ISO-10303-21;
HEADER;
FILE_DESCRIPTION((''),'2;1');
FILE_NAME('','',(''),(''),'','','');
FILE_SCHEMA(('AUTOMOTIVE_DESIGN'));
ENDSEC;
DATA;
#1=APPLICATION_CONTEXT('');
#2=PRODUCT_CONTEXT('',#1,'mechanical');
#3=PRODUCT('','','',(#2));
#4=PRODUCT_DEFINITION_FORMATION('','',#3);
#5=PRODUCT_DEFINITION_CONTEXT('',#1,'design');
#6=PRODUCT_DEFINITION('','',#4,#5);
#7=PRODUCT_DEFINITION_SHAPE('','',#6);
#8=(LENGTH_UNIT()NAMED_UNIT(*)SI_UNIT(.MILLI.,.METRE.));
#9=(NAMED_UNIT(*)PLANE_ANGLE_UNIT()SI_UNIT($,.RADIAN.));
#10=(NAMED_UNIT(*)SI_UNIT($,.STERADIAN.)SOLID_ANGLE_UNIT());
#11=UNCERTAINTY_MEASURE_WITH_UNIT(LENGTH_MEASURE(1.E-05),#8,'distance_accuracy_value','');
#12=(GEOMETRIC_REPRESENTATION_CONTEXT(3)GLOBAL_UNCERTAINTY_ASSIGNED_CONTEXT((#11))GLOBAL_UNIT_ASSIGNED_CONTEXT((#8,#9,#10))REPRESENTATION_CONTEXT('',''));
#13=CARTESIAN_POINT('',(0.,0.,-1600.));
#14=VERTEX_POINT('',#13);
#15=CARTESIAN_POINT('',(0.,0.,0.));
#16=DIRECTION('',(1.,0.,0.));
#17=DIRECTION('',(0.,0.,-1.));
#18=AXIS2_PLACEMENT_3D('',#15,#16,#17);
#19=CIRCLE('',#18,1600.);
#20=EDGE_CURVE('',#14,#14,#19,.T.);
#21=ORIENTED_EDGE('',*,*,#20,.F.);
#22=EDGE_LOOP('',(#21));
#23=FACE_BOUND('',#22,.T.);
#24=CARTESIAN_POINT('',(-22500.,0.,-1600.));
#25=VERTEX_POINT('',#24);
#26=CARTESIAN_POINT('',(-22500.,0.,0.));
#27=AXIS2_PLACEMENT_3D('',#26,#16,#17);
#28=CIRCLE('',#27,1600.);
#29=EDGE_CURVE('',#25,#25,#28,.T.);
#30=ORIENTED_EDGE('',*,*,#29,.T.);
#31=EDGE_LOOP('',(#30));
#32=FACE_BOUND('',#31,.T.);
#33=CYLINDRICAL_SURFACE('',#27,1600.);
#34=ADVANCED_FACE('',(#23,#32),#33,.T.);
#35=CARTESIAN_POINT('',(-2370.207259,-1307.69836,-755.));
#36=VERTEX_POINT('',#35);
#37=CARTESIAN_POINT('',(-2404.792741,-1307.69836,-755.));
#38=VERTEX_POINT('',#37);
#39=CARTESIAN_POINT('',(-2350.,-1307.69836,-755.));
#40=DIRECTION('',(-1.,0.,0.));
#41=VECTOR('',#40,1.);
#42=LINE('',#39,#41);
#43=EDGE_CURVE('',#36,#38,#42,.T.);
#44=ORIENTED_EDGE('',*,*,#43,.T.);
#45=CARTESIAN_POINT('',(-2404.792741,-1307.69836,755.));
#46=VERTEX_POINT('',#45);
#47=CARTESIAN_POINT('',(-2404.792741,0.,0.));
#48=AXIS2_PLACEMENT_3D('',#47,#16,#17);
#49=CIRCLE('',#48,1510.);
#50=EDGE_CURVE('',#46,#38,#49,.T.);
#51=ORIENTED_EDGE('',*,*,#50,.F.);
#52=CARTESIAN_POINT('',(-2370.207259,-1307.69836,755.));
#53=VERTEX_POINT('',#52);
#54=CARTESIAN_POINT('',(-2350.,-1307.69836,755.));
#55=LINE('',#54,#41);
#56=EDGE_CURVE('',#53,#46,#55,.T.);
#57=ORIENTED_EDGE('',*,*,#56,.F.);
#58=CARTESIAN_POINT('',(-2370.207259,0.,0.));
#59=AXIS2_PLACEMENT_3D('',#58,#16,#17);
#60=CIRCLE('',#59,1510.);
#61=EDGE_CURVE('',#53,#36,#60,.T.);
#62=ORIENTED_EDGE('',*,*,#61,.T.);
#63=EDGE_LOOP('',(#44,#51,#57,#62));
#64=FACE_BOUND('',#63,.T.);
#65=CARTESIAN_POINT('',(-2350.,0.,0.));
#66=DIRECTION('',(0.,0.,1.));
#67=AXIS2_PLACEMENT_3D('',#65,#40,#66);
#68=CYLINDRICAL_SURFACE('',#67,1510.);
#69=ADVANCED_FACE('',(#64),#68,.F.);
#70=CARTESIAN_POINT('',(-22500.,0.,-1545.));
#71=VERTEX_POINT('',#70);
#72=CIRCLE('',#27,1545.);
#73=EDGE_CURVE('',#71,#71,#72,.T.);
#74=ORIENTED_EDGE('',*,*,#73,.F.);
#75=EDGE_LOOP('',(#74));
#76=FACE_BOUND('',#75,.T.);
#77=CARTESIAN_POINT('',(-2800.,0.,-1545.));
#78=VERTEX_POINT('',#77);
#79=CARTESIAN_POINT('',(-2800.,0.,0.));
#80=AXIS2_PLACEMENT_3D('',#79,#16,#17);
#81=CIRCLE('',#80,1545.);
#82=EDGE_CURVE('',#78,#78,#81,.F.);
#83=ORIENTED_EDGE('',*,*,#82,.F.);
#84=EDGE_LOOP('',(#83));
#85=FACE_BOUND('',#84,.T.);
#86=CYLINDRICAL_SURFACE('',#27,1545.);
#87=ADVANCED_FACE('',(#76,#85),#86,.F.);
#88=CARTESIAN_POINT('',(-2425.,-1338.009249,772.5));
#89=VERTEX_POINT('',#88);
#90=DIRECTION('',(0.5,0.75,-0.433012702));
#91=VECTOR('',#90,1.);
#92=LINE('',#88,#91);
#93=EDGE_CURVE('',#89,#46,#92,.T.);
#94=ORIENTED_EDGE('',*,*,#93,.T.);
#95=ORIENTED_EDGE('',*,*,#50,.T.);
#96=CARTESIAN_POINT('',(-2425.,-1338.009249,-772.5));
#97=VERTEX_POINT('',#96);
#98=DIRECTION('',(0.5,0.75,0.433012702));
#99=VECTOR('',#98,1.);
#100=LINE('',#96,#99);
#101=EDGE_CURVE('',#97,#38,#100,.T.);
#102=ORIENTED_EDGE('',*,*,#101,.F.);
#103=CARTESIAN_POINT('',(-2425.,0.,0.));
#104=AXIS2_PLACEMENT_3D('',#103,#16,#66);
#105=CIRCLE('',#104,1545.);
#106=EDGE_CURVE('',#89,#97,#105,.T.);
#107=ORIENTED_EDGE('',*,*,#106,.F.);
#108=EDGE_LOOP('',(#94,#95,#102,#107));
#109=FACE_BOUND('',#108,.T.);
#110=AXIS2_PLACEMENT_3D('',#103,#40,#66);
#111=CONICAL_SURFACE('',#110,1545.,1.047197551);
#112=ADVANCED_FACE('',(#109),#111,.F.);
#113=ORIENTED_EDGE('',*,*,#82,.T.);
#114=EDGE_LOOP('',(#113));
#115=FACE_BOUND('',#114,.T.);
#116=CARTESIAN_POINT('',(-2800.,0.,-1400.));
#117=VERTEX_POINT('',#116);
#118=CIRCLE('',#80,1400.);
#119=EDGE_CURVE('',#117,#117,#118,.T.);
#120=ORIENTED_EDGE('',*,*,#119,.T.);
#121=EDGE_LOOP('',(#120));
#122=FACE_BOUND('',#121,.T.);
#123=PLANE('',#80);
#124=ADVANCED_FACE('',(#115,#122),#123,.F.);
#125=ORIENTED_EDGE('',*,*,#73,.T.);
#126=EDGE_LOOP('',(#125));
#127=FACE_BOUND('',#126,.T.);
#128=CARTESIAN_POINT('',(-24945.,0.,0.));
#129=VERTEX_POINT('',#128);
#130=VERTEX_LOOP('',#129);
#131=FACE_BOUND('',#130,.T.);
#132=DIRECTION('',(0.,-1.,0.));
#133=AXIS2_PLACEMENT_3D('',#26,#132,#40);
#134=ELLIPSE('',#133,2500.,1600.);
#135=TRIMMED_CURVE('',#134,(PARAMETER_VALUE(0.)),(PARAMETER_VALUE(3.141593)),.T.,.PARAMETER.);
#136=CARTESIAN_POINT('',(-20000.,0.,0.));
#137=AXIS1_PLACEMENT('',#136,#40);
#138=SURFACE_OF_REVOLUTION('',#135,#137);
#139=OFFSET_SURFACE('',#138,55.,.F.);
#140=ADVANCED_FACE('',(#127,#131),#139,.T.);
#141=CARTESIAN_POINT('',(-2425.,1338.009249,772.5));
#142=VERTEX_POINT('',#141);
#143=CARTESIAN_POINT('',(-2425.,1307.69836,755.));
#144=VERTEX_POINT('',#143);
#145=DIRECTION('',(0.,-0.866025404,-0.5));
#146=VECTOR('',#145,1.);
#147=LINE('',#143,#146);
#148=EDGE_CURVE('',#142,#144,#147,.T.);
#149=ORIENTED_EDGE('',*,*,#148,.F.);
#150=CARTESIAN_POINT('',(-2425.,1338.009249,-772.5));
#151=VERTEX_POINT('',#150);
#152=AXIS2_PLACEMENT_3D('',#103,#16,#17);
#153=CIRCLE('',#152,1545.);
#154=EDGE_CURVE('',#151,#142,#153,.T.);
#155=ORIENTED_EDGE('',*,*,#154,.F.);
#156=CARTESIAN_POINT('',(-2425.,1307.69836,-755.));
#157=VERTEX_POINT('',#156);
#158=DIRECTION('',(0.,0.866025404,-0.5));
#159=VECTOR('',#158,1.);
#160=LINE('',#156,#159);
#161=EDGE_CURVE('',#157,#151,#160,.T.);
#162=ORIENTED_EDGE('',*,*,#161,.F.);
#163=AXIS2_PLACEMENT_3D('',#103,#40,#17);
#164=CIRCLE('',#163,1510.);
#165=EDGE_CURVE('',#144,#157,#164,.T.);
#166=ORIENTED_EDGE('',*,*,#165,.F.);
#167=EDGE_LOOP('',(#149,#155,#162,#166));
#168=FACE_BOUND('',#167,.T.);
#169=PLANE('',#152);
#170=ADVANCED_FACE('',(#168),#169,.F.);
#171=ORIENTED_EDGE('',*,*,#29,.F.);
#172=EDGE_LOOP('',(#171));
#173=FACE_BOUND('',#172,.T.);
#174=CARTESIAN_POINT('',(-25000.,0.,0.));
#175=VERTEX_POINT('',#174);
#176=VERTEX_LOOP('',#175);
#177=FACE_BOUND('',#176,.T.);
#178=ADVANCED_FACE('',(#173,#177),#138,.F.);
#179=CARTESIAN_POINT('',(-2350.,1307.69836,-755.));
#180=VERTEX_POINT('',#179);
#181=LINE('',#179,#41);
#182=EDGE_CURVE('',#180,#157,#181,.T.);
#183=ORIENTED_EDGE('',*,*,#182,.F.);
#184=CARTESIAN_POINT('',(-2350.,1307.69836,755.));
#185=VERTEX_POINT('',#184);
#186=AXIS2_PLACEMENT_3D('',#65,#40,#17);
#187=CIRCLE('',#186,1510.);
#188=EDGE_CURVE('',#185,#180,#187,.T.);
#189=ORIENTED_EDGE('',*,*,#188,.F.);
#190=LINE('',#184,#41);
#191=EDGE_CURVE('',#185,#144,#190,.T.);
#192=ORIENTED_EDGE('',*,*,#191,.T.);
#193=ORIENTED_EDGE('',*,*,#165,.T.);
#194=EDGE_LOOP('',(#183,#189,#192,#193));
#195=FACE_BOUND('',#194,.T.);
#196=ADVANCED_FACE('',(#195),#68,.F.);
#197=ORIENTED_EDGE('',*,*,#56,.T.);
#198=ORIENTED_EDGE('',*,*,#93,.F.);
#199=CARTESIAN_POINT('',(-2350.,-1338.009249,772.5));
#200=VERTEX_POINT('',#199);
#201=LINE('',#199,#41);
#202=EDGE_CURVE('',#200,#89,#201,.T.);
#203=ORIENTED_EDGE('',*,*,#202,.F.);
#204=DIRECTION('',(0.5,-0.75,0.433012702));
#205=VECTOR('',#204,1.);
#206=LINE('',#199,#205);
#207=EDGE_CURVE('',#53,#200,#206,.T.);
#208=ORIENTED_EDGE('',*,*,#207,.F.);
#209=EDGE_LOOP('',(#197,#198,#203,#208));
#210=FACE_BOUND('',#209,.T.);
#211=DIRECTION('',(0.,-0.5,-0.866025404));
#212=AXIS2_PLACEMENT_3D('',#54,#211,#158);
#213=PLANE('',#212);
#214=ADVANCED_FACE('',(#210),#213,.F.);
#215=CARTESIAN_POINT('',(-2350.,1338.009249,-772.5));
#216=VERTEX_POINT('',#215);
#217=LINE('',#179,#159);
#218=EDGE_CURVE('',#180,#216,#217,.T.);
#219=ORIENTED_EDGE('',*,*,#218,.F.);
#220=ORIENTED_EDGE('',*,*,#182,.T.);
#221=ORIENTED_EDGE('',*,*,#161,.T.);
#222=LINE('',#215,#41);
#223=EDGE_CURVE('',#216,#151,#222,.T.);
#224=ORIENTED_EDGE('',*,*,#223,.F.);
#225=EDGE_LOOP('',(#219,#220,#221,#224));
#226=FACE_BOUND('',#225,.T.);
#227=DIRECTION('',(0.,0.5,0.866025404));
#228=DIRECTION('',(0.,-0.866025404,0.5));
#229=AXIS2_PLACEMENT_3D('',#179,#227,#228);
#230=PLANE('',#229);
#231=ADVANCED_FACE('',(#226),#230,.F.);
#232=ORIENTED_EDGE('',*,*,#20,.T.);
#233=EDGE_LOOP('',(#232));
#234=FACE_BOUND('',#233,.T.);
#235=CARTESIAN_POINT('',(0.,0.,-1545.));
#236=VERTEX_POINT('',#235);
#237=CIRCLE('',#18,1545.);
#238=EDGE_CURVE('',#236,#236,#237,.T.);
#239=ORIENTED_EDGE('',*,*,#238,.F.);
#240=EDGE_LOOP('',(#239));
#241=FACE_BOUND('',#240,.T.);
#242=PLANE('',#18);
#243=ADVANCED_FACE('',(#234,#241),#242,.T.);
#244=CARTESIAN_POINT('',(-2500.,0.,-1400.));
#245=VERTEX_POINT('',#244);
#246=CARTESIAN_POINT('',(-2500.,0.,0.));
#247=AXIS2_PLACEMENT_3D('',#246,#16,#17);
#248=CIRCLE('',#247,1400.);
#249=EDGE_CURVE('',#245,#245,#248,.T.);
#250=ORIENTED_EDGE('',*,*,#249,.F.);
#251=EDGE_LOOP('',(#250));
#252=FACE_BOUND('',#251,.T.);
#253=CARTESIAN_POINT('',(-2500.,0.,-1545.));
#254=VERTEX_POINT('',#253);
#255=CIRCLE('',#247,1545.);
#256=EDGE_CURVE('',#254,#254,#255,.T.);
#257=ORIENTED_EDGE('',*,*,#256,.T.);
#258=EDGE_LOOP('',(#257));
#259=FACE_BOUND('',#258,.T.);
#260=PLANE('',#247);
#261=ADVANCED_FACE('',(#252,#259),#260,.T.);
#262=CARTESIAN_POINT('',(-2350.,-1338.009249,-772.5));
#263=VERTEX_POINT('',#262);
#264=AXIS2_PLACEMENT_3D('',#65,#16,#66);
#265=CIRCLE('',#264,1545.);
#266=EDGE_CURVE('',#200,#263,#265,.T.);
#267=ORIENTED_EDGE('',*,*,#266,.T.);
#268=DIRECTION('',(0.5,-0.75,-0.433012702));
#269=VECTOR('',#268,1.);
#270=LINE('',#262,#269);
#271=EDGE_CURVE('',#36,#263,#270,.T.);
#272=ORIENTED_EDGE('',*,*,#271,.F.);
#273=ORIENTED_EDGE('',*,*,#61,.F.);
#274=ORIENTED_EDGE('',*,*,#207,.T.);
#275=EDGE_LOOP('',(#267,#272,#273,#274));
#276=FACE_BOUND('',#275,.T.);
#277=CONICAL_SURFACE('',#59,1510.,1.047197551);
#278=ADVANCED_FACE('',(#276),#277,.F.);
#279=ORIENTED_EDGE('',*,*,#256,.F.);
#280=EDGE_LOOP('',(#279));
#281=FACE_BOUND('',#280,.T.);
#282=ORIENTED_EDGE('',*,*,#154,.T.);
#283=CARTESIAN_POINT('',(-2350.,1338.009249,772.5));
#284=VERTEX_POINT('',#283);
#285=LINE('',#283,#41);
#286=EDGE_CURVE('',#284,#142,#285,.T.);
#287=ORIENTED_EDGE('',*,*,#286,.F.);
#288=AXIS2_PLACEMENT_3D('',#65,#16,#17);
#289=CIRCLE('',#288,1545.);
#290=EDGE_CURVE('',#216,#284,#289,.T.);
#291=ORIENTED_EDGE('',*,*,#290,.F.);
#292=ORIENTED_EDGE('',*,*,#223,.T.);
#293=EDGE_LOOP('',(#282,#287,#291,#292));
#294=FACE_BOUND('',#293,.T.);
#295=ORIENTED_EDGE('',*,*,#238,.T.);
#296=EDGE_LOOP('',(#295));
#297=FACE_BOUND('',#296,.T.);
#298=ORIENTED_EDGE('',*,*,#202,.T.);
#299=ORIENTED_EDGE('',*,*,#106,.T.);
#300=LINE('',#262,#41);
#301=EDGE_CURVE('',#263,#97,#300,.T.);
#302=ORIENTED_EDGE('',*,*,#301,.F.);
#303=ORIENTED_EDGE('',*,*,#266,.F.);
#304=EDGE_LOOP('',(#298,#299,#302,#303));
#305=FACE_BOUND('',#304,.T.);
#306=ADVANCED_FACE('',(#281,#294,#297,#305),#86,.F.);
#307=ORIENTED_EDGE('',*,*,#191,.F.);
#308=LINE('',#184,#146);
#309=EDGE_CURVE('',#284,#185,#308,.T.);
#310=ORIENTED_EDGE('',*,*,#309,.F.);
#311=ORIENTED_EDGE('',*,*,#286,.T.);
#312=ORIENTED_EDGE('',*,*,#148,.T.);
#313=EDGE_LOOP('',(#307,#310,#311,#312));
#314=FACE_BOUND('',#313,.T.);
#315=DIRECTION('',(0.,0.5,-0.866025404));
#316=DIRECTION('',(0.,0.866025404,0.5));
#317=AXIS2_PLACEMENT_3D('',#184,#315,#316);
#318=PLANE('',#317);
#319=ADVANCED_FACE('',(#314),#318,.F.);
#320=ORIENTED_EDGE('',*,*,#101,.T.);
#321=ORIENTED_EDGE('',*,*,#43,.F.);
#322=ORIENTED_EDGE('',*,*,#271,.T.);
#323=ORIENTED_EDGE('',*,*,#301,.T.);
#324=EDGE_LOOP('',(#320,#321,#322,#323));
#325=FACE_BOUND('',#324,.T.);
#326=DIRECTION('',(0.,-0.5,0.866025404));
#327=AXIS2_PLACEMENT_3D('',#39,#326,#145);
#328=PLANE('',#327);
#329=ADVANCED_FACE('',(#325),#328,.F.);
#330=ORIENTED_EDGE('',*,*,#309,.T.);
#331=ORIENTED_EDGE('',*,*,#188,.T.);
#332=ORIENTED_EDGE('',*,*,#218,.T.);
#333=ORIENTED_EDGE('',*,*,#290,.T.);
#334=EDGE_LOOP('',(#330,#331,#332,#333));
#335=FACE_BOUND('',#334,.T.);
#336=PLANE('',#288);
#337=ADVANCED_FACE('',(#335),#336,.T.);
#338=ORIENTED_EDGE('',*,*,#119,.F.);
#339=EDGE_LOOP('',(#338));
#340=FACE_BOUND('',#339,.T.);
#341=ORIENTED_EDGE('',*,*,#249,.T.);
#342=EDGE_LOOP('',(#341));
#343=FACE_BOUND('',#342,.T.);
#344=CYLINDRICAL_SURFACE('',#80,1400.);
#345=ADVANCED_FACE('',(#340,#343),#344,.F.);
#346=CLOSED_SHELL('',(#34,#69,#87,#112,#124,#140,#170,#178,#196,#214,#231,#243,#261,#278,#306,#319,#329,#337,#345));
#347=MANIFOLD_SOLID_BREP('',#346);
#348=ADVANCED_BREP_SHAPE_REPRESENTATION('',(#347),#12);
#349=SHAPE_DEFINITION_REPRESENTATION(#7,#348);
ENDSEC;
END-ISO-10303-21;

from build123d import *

# Parameters (mm, degrees)
SKETCH1_R                   = 1600
BODY_EXTRUDE_DEPTH          = 22500
ROCKET_TIP_DOME_FACE_RADIUS = 1600
ROCKET_TIP_DOME_HEIGHT      = 2500
SHELL_55MM_T                = -55
SKETCH2_R                   = 1545
SKETCH2_R_2                 = 1400
ENGINE_MOUNT_EXTRUDE_DEPTH  = 300
SLOTS_START                 = 75
SLOTS_DEPTH                 = 75
DOVETAIL_CUT_SLOTS_ANGLE    = 60


with BuildPart() as part:
    # Sketch1 → Body Extrude (new body)
    with BuildSketch(Plane(origin=(0, 0, 0), x_dir=(0, 0, -1), z_dir=(1, 0, 0))):
        Circle(SKETCH1_R)
    extrude(amount=-BODY_EXTRUDE_DEPTH)

    # Rocket Tip Dome: an elliptical dome of height H over a round flat face of radius A is half a spheroid: the quarter ellipse of half axes A and H revolved about the face's axis
    with BuildSketch(Plane((-22500, 0, 0), x_dir=(0, 0, -1), z_dir=(0, 1, 0)), mode=Mode.PRIVATE) as rocket_tip_dome_quarter:
        Ellipse(ROCKET_TIP_DOME_FACE_RADIUS, ROCKET_TIP_DOME_HEIGHT)
        Rectangle(ROCKET_TIP_DOME_FACE_RADIUS, ROCKET_TIP_DOME_HEIGHT, align=(Align.MIN, Align.MIN), mode=Mode.INTERSECT)
    revolve(rocket_tip_dome_quarter.sketch, axis=Axis((-22500, 0, 0), (-1, 0, 0)))

    # Shell = 55mm
    shell_55mm_openings = [part.faces().sort_by_distance(p)[0] for p in [
        (0, 0, 0),
    ]]
    offset(amount=SHELL_55MM_T, openings=shell_55mm_openings, kind=Kind.INTERSECTION)

    # Sketch2 → Engine Mount Extrude (add)
    with BuildSketch(Plane(origin=(-2500, 0, 0), x_dir=(0, 0, -1), z_dir=(1, 0, 0))):
        Circle(SKETCH2_R)
        Circle(SKETCH2_R_2, mode=Mode.SUBTRACT)
    extrude(amount=-ENGINE_MOUNT_EXTRUDE_DEPTH)

    # Sketch3 → Slots (add)
    with BuildSketch(Plane(origin=(-2425, 0, 0), x_dir=(0, 0, -1), z_dir=(1, 0, 0)).offset(SLOTS_START)):
        with BuildLine():
            Line((755, 1307.698359715), (772.5, 1338.009248847))
            ThreePointArc((772.5, 1338.009248847), (0, 1545), (-772.5, 1338.009248847))
            Line((-772.5, 1338.009248847), (-755, 1307.698359715))
            ThreePointArc((-755, 1307.698359715), (0, 1510), (755, 1307.698359715))
        make_face()
        with BuildLine():
            Line((-755, -1307.698359715), (-772.5, -1338.009248847))
            ThreePointArc((-772.5, -1338.009248847), (0, -1545), (772.5, -1338.009248847))
            Line((772.5, -1338.009248847), (755, -1307.698359715))
            ThreePointArc((755, -1307.698359715), (0, -1510), (-755, -1307.698359715))
        make_face()
    extrude(amount=-SLOTS_DEPTH)

    # Sketch13 → Dovetail Cut Slots (revolve, symmetric, cut)
    with BuildSketch(Plane.XY) as dovetail_cut_slots_sk:
        Polygon((-2425, -1545), (-2404.792740578, -1510), (-2425, -1510), align=None)
        Polygon((-2350, -1510), (-2350, -1545), (-2370.207259422, -1510), align=None)
    revolve(axis=Axis((0, 0, 0), (-1, 0, 0)), revolution_arc=DOVETAIL_CUT_SLOTS_ANGLE / 2, mode=Mode.SUBTRACT)
    revolve(dovetail_cut_slots_sk.sketch, axis=Axis((0, 0, 0), (1, 0, 0)), revolution_arc=DOVETAIL_CUT_SLOTS_ANGLE / 2, mode=Mode.SUBTRACT)


solid = part.part
